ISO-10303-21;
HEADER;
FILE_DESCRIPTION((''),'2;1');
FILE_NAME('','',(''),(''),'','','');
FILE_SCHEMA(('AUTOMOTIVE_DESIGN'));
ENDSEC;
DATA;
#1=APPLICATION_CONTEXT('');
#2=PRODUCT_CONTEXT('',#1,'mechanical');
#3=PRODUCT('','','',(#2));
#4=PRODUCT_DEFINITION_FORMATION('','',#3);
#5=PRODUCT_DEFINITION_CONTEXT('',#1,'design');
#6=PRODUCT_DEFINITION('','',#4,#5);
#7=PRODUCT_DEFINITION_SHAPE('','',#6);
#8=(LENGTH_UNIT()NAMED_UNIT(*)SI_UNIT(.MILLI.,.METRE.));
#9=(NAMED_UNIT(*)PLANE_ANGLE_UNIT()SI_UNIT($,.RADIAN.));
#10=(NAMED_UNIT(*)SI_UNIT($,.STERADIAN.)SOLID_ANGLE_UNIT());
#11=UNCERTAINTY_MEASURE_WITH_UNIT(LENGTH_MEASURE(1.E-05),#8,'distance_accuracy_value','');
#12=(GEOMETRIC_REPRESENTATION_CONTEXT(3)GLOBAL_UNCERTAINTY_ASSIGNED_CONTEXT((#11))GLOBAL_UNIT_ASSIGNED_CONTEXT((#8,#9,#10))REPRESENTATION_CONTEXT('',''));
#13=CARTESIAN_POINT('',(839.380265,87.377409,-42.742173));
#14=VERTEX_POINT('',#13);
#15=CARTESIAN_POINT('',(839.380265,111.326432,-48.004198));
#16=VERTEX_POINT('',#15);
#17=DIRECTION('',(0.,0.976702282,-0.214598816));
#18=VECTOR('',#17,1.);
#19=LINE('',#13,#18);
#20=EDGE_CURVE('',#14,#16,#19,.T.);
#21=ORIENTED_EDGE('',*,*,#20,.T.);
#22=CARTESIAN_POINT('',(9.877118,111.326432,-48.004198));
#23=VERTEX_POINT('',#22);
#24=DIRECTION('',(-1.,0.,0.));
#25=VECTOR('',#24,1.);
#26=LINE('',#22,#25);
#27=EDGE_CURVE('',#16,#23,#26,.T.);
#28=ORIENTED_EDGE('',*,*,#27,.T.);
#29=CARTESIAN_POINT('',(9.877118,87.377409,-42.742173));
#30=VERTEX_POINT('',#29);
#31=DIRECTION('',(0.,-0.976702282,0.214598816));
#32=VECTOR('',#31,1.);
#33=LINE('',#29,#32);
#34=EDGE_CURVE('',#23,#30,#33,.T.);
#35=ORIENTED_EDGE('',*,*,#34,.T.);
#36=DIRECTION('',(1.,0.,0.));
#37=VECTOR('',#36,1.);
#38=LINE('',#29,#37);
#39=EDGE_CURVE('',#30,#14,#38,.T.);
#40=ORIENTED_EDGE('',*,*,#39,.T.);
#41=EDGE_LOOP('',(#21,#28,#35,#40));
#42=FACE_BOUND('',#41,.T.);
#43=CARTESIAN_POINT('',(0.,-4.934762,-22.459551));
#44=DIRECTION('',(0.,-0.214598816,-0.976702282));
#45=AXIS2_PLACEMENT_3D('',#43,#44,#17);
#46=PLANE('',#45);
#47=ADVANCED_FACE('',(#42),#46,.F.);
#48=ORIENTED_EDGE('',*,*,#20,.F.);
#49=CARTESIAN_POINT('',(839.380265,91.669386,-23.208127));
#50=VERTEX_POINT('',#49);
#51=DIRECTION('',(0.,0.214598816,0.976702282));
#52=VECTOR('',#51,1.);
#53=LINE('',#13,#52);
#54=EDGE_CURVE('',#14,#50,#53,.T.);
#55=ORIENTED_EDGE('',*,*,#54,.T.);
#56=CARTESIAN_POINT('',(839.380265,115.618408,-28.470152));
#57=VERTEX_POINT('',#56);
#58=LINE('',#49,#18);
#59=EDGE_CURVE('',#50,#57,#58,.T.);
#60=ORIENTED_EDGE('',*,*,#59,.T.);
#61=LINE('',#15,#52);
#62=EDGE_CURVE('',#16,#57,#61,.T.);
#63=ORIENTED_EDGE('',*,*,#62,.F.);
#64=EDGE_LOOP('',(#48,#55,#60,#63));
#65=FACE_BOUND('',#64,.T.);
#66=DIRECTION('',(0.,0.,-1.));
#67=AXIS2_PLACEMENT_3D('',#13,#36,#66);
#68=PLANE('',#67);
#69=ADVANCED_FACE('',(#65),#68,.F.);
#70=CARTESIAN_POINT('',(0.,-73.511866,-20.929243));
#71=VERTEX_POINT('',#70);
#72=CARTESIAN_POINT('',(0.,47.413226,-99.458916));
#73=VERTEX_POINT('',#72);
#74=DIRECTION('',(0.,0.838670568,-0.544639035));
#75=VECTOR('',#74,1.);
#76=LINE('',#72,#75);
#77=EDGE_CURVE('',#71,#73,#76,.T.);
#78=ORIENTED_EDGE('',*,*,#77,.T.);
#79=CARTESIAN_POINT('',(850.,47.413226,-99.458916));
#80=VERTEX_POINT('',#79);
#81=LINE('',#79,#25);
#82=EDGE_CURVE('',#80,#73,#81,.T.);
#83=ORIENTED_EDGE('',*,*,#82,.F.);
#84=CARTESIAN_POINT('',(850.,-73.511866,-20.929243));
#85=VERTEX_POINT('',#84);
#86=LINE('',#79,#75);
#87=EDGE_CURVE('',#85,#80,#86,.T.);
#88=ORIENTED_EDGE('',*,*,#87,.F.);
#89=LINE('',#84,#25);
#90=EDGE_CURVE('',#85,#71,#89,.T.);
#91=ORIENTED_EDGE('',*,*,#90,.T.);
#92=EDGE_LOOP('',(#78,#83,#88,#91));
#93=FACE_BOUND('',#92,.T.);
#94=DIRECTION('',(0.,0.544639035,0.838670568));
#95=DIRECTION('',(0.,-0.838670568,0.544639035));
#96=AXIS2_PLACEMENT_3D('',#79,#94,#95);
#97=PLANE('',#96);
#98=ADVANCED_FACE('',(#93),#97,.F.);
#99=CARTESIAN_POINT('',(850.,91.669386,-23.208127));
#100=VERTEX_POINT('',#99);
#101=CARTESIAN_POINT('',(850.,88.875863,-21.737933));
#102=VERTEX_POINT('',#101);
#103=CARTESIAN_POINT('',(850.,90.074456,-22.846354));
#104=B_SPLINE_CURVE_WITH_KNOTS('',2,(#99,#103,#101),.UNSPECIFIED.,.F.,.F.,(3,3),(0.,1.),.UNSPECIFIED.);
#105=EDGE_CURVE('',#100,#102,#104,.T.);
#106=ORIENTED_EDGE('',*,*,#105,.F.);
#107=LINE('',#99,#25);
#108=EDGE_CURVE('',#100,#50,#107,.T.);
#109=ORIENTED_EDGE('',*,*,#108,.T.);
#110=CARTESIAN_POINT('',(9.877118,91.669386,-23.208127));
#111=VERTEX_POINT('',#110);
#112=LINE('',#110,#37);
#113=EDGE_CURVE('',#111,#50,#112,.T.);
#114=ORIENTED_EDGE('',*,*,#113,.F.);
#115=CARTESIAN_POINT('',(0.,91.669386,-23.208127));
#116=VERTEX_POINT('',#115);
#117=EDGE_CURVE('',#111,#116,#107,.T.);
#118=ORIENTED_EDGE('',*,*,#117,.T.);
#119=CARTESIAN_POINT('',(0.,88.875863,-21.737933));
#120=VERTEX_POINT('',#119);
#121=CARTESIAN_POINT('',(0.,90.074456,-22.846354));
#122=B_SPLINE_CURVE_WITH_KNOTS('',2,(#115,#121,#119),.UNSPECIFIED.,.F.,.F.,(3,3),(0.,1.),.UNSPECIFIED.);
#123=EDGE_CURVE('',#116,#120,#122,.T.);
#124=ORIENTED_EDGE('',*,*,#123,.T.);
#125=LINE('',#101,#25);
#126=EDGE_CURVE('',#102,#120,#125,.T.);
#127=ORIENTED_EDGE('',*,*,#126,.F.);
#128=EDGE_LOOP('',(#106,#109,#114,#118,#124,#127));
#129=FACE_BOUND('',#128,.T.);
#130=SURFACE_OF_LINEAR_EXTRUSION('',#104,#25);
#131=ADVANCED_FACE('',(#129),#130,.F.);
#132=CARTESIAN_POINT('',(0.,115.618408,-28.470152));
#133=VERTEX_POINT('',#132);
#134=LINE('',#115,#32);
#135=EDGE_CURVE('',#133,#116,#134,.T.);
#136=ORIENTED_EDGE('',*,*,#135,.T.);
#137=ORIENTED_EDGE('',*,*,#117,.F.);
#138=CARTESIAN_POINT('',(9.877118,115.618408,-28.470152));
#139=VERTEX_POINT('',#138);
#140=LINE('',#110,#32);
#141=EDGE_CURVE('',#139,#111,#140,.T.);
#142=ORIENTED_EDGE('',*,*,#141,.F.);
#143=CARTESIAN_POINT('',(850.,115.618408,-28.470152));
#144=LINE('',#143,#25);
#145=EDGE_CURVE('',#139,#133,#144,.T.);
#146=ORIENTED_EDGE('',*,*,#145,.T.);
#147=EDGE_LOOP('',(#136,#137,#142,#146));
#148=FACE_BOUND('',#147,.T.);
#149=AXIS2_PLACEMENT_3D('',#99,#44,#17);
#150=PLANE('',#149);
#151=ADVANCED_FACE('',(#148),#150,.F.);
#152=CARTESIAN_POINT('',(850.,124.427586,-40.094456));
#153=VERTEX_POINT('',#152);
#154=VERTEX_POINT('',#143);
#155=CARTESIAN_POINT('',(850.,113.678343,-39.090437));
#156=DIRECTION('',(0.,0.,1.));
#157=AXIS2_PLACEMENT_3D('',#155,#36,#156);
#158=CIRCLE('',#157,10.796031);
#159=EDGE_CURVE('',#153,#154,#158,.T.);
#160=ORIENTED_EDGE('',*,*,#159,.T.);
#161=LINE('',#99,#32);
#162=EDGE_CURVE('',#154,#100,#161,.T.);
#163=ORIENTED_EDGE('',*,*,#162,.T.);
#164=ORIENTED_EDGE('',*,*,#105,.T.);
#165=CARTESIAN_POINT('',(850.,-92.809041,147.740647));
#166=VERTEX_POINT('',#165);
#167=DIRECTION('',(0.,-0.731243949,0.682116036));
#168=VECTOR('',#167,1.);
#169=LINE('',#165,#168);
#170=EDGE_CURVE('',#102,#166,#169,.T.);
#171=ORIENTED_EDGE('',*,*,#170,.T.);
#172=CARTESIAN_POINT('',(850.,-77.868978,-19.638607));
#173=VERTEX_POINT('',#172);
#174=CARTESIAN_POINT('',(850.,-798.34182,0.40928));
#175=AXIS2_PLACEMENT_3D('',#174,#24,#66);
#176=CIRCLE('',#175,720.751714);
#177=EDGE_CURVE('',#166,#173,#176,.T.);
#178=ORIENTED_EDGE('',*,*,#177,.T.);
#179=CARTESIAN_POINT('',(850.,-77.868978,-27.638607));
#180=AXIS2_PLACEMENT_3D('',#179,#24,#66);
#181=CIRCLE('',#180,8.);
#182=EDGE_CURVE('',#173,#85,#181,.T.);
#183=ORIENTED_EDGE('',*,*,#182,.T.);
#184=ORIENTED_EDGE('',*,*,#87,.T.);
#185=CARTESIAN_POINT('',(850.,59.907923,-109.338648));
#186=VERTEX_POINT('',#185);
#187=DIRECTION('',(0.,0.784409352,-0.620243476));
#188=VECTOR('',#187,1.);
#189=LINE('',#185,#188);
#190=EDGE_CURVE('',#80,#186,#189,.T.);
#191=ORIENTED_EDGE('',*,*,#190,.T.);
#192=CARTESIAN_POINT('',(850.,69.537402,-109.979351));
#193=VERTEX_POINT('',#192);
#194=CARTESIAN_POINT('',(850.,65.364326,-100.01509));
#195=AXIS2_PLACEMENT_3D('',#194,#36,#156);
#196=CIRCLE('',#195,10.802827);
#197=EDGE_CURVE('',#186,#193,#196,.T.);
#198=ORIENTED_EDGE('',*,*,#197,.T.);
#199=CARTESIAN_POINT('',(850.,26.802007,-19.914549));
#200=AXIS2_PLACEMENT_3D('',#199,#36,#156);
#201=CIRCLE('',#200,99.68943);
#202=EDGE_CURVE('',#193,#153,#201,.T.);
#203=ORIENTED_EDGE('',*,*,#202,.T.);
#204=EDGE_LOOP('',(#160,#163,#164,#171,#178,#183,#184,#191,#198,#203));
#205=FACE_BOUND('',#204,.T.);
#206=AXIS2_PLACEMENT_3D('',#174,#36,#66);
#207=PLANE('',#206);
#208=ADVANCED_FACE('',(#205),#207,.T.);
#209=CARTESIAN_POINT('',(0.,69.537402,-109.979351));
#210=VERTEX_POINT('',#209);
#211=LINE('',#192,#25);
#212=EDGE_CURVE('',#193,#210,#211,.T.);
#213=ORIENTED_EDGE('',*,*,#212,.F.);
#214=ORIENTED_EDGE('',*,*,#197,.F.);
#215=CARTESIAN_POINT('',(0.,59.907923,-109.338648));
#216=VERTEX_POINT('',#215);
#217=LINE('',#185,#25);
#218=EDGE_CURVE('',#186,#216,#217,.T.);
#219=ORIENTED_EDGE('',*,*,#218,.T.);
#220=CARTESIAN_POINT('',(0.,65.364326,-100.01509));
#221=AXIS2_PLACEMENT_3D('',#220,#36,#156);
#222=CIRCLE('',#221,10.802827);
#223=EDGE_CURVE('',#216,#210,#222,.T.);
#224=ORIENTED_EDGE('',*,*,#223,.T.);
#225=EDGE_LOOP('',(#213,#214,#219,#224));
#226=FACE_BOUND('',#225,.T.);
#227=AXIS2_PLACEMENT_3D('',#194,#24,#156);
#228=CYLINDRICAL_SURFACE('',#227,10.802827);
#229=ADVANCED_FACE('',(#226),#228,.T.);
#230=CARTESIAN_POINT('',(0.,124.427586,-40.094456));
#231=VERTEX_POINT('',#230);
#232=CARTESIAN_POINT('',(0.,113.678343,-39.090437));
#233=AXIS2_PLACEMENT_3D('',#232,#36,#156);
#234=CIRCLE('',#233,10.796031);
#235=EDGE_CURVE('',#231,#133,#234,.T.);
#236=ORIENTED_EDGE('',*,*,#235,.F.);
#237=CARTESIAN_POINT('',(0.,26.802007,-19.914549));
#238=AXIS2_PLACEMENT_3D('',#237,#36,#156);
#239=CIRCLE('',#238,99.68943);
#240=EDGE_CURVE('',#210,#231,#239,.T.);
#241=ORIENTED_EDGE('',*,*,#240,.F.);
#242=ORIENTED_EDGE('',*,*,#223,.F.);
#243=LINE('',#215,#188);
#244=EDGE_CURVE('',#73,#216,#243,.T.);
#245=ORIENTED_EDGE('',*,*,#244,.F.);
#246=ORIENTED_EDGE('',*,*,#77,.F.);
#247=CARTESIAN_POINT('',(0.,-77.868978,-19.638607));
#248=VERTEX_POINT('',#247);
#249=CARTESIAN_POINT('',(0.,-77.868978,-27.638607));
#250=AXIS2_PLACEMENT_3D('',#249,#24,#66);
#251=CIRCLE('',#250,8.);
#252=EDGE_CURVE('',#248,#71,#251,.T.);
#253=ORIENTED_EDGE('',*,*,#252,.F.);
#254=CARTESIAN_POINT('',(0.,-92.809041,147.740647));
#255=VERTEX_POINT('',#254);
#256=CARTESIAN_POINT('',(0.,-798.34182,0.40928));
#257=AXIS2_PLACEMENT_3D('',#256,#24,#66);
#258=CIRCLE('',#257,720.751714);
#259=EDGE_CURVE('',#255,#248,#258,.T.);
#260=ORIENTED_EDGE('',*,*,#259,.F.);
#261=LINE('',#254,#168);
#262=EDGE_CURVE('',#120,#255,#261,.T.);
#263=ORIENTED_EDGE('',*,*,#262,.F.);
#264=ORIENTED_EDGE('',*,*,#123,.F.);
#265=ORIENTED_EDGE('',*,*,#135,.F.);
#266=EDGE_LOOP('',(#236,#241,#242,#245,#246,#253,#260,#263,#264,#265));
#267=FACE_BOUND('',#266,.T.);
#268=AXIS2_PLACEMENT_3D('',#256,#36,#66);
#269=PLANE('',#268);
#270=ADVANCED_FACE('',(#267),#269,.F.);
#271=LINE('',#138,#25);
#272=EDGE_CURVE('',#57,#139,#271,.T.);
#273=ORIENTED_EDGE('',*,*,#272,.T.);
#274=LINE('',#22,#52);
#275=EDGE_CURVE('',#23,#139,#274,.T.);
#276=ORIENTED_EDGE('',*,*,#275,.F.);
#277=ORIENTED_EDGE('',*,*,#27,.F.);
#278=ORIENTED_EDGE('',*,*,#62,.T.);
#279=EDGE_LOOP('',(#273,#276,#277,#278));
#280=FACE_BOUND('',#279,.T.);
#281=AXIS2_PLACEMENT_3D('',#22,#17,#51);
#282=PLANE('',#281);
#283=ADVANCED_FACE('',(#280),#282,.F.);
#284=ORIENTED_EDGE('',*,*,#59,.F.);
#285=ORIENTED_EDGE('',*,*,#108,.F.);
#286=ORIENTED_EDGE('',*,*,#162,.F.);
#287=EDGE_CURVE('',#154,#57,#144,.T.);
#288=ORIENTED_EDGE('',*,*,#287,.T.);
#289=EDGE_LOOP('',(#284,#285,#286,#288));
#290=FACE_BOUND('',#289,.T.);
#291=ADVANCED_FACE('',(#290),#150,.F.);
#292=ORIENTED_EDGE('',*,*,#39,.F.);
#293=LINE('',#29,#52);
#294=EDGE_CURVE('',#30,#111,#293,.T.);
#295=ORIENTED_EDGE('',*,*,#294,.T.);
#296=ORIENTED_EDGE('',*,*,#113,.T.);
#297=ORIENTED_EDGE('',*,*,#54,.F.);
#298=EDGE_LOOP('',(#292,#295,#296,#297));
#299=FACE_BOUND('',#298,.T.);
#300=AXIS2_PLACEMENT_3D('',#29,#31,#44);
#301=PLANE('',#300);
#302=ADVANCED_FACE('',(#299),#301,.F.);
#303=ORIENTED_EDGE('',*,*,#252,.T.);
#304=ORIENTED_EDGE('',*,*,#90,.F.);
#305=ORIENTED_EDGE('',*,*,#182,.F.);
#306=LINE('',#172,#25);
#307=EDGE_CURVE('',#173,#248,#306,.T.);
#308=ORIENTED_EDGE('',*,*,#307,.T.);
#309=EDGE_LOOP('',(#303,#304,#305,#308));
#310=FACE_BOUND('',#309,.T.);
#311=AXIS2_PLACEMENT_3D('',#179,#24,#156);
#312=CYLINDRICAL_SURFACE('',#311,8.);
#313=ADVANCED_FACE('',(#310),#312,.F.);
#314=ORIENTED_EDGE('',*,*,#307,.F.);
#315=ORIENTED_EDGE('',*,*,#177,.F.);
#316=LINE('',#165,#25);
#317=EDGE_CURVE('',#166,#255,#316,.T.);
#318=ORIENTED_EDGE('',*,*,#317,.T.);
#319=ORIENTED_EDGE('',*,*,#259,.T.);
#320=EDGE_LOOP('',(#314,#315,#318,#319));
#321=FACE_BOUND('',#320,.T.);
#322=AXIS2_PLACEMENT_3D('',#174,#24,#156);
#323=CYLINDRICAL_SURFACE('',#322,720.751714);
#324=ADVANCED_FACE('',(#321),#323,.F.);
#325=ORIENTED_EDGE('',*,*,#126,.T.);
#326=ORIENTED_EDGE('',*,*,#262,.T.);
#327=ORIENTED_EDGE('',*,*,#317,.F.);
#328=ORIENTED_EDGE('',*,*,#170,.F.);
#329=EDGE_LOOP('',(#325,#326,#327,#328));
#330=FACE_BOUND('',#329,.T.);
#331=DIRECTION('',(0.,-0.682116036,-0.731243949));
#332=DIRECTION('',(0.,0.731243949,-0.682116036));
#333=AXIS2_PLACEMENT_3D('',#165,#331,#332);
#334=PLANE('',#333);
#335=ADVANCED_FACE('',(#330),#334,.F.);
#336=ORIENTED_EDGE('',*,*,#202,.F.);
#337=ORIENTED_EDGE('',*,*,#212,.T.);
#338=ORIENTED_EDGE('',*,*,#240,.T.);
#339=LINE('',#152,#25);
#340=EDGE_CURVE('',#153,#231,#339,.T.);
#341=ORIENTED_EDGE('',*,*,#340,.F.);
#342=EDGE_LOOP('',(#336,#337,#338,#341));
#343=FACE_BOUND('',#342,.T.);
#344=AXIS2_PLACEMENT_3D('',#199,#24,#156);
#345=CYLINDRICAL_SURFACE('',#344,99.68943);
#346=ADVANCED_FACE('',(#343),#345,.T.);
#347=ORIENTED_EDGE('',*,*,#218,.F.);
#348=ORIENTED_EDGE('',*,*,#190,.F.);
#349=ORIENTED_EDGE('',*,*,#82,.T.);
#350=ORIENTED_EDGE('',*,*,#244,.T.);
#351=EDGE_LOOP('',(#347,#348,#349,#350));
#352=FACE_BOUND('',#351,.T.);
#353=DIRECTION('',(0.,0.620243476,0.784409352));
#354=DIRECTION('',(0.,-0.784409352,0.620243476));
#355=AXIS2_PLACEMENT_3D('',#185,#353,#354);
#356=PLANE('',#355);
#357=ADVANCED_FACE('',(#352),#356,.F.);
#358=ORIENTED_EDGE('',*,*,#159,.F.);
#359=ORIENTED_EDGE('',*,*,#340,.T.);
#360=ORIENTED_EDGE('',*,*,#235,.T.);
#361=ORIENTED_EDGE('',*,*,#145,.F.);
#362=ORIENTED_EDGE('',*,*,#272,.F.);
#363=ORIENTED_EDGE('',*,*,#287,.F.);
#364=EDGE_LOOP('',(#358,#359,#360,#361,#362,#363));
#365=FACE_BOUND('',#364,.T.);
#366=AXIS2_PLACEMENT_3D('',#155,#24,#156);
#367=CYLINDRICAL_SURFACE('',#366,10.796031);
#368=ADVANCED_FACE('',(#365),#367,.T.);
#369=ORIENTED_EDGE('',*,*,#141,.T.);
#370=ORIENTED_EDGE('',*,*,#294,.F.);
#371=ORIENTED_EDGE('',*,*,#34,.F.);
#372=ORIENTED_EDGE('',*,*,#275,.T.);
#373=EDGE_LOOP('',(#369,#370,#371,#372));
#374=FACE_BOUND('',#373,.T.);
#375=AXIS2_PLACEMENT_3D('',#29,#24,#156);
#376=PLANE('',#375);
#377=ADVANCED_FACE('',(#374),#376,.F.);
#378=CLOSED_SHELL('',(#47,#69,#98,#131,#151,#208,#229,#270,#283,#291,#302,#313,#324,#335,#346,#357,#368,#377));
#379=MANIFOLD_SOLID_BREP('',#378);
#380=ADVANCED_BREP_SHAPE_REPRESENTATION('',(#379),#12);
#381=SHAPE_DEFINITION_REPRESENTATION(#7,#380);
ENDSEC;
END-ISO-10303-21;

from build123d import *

# Parameters (mm, degrees)
BOSS_EXTRUDE1_DEPTH = 850
SKETCH2_W           = 829.503147771
SKETCH2_H           = 24.520289532
CUT_EXTRUDE1_DEPTH  = 20


with BuildPart() as part:
    # Sketch1 → Boss-Extrude1 (new body)
    with BuildSketch(Plane(origin=(0, 0, 0), x_dir=(0, 0, -1), z_dir=(1, 0, 0))):
        with BuildLine():
            Line((-147.74064655, -92.809040889), (21.737933493, 88.875862637))
            add(Edge.make_bspline(
                [(21.737933493, 88.875862637), (22.846353546, 90.074456327), (23.208127069, 91.669385546)],
                knots=[0, 0, 0, 1, 1, 1], degree=2))
            Line((23.208127069, 91.669385546), (28.470152179, 115.618408292))
            ThreePointArc((28.470152179, 115.618408292), (32.569812262, 122.282745924), (40.094456308, 124.427586441))
            ThreePointArc((40.094456308, 124.427586441), (81.491387891, 105.200191819), (109.979351041, 69.537401631))
            ThreePointArc((109.979351041, 69.537401631), (110.794083493, 64.647138854), (109.33864767, 59.907923142))
            Line((109.33864767, 59.907923142), (99.458915624, 47.413226279))
            Line((99.458915624, 47.413226279), (20.929242749, -73.511865602))
            ThreePointArc((20.929242749, -73.511865602), (19.968049413, -75.596855125), (19.638607292, -77.868977882))
            ThreePointArc((19.638607292, -77.868977882), (-64.487922257, -80.444221731), (-147.74064655, -92.809040889))
        make_face()
    extrude(amount=BOSS_EXTRUDE1_DEPTH)

    # Sketch2 → Cut-Extrude1 (cut)
    with BuildSketch(Plane(origin=(0, -0.642785482, -2.925505639), x_dir=(1, 0, 0), z_dir=(0, 0.21459881636528488, 0.9767022821794873))):
        with Locations((424.628691519, 106.774279434)):
            Rectangle(SKETCH2_W, SKETCH2_H)
    extrude(amount=-CUT_EXTRUDE1_DEPTH, mode=Mode.SUBTRACT)


solid = part.part
